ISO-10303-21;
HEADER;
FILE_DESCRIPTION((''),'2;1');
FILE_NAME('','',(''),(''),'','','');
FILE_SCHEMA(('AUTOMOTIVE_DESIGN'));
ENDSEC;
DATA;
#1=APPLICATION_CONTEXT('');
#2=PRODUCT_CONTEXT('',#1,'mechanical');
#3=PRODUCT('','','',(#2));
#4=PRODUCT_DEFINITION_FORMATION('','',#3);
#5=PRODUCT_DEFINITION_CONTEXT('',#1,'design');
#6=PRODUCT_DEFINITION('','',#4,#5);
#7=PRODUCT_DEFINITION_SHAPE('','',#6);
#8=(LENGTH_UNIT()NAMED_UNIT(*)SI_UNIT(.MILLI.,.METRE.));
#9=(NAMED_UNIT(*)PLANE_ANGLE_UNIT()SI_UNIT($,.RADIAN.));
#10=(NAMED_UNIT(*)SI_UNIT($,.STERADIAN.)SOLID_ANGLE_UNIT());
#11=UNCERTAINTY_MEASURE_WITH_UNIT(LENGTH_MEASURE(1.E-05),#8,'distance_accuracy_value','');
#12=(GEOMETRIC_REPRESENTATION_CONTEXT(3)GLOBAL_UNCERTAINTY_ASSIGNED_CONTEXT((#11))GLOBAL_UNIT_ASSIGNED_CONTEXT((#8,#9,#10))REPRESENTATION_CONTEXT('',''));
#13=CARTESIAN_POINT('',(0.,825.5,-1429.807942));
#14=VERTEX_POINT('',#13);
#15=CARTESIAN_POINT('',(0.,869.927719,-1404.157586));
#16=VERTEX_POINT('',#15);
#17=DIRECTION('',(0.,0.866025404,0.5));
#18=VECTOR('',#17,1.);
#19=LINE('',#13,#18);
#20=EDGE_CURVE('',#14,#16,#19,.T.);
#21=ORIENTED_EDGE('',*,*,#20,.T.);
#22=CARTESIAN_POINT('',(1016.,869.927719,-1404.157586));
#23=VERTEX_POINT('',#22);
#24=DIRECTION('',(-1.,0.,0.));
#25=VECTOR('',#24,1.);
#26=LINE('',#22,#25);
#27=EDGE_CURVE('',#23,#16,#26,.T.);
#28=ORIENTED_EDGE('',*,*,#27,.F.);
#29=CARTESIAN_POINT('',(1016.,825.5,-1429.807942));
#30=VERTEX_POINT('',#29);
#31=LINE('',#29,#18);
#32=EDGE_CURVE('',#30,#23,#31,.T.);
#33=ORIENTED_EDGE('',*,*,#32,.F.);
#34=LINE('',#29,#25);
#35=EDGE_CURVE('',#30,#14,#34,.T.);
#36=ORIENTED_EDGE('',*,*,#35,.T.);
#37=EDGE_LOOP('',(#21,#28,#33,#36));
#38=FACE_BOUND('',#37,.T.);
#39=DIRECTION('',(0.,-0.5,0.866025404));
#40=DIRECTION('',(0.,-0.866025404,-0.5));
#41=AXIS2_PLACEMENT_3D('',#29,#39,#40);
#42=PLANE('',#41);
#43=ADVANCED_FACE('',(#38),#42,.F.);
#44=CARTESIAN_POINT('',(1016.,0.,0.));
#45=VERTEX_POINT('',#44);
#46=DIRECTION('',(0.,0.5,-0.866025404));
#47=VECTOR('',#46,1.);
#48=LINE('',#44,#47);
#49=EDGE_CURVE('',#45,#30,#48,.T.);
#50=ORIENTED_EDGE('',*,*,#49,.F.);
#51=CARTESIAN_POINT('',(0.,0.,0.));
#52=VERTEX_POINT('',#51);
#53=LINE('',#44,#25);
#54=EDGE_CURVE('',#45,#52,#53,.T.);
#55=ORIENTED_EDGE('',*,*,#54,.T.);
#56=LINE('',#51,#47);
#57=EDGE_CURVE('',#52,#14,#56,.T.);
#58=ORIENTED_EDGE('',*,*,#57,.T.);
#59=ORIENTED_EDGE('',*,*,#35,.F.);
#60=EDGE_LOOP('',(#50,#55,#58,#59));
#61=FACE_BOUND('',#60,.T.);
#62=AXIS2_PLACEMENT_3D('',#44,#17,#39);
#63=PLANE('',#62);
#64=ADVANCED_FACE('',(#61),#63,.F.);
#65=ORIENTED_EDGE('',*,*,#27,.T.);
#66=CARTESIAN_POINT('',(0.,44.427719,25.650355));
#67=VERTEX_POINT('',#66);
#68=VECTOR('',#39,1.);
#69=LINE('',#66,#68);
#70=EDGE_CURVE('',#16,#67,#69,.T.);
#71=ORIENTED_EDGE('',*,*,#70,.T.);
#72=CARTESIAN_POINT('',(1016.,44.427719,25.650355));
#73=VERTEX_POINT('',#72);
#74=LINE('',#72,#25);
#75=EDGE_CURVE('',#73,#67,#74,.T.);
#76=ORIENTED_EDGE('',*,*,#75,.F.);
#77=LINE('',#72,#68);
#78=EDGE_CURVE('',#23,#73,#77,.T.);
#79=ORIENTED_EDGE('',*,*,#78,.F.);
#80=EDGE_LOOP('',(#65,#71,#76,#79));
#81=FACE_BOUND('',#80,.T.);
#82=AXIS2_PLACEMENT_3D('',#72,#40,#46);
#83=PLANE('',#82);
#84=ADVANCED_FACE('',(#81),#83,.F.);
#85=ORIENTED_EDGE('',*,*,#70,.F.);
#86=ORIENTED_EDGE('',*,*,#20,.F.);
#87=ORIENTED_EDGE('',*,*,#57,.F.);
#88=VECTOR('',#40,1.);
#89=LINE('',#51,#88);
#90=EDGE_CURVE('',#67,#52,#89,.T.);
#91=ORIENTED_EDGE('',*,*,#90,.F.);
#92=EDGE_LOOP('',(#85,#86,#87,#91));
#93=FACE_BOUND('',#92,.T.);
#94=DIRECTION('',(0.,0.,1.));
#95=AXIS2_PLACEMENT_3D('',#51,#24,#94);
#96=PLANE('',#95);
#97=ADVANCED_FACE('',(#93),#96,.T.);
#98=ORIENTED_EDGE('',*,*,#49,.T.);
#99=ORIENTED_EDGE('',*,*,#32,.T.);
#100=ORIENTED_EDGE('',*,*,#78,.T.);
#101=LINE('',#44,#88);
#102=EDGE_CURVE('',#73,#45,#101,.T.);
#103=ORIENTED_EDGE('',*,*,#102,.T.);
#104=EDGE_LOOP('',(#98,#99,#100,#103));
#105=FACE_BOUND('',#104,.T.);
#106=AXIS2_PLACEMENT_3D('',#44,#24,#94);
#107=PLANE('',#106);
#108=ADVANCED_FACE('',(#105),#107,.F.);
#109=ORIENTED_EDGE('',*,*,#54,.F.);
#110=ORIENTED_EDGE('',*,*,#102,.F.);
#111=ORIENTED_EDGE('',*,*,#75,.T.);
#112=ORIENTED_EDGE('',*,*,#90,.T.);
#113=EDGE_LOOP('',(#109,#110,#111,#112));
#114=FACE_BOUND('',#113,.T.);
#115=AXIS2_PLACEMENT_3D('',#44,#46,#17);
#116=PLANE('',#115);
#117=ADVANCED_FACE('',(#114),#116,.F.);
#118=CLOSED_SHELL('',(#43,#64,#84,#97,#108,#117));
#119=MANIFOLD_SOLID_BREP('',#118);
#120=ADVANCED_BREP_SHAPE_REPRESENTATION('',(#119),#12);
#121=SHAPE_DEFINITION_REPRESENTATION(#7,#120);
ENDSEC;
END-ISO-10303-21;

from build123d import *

# Parameters (mm, degrees)
BOSS_EXTRUDE1_DEPTH = 1016


with BuildPart() as part:
    # Sketch1 → Boss-Extrude1 (new body)
    with BuildSketch(Plane(origin=(0, 0, 0), x_dir=(0, 0, -1), z_dir=(1, 0, 0))):
        Polygon((0, 0), (1429.807941648, 825.5), (1404.157586241, 869.927718798), (-25.650355407, 44.427718798), align=None)
    extrude(amount=BOSS_EXTRUDE1_DEPTH)


solid = part.part
